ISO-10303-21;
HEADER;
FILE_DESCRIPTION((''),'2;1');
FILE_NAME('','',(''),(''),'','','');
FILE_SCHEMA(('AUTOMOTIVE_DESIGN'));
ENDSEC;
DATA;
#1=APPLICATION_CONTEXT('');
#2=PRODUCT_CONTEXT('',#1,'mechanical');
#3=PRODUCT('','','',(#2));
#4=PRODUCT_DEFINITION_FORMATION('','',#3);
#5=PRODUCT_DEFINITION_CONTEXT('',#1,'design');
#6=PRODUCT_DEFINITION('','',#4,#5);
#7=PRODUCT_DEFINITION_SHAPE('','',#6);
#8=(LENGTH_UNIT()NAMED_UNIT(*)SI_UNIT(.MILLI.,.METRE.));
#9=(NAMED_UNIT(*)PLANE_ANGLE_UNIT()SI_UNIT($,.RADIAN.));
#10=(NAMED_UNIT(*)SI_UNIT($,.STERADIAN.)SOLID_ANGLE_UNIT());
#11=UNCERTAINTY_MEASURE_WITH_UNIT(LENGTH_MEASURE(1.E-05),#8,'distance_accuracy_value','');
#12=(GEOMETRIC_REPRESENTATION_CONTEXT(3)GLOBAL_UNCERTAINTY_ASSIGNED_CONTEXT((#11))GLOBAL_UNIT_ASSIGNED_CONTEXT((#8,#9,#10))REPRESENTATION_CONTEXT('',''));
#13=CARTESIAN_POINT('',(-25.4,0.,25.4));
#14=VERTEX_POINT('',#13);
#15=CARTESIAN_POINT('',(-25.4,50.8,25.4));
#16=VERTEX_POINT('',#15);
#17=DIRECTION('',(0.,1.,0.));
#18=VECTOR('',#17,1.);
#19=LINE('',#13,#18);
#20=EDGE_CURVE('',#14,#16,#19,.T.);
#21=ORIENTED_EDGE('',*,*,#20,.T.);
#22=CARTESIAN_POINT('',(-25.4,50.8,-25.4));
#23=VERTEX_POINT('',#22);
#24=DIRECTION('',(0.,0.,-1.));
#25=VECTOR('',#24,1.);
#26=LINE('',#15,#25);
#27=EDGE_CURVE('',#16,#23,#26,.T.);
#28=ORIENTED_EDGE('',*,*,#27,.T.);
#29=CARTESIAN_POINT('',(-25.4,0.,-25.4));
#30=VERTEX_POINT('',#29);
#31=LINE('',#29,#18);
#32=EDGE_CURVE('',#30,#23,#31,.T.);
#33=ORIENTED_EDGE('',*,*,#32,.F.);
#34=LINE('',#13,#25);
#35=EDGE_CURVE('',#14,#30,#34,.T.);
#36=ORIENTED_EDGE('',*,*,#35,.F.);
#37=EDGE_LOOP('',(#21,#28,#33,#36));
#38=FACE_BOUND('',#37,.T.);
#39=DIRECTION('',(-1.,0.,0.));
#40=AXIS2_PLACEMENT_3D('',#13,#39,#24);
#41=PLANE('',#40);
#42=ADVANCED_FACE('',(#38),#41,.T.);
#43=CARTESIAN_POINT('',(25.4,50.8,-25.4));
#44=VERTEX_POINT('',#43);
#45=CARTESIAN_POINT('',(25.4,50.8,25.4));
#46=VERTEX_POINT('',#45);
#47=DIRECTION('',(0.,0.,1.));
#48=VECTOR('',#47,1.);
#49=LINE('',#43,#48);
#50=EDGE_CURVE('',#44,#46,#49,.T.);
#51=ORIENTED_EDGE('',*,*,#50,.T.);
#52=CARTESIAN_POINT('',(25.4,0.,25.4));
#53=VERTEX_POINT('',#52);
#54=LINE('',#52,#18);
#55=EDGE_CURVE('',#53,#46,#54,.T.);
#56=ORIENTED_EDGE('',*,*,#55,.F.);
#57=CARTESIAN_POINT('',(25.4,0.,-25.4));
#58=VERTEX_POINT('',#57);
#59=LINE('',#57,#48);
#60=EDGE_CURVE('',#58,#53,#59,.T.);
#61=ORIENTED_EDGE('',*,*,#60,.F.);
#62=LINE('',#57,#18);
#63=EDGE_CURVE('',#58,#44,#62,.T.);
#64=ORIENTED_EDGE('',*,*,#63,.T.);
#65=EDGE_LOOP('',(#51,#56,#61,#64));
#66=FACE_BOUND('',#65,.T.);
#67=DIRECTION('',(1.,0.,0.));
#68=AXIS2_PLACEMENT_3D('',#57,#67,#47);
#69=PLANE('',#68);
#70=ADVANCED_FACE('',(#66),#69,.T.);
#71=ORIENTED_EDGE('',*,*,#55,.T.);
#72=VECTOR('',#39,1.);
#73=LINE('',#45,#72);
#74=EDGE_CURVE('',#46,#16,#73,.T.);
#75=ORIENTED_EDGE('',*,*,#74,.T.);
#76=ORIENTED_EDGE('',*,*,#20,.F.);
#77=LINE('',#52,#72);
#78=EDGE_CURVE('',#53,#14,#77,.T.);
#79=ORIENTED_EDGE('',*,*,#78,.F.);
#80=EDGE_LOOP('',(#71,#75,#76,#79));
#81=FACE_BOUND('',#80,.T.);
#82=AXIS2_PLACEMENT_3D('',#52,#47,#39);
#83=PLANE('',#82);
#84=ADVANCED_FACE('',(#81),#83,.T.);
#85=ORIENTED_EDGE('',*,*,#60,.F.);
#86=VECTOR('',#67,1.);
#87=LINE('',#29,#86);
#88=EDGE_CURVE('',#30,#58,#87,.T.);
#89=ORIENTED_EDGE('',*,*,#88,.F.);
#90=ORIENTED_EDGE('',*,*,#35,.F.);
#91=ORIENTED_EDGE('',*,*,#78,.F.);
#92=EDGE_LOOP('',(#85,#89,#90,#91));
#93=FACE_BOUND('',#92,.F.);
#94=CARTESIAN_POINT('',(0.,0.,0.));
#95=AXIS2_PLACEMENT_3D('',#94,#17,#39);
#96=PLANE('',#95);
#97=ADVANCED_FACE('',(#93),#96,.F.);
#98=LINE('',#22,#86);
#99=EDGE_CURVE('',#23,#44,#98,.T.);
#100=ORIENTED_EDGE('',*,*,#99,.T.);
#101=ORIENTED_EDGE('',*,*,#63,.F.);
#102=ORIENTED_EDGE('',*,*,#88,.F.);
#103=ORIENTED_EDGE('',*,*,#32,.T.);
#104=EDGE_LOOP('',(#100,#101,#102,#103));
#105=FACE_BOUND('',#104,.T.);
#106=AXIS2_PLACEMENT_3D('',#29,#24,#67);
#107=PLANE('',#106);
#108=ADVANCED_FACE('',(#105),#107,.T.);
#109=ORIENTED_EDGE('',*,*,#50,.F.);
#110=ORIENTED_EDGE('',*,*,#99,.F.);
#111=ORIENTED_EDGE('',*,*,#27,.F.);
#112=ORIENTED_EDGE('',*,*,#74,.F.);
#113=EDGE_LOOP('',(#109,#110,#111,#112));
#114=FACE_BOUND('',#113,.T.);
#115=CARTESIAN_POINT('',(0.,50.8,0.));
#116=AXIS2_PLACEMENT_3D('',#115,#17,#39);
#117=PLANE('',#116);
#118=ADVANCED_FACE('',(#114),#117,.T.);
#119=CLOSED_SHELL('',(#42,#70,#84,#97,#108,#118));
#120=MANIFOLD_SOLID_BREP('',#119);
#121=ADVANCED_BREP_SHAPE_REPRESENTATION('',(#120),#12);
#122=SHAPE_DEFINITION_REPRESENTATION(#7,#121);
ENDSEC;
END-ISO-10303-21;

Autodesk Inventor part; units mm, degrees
ref_plane "YZ Plane" through (0, 0, 0) normal (1, 0, 0) x (0, 1, 0)
ref_plane "XZ Plane" through (0, 0, 0) normal (0, 1, 0) x (-1, 0, 0)
ref_plane "XY Plane" through (0, 0, 0) normal (0, 0, 1) x (1, 0, 0)
sketch "Sketch1" plane through (0, 0, 0) normal (0, 1, 0) x (-1, 0, 0)
  line L0 (-25.4, 25.4) -> (25.4, 25.4)
  line L1 (25.4, 25.4) -> (25.4, -25.4)
  line L2 (25.4, -25.4) -> (-25.4, -25.4)
  line L3 (-25.4, -25.4) -> (-25.4, 25.4)
  line L4 (-25.4, 25.4) -> (25.4, -25.4) construction
  line L5 (25.4, 25.4) -> (-25.4, -25.4) construction
  point P0 (0, 0)
  dimension "d0" = 50.8
  dimension "d1" = 50.8
extrude "Extrusion1" add sketch "Sketch1" along normal blind 50.8
properties part number "BX11111"
